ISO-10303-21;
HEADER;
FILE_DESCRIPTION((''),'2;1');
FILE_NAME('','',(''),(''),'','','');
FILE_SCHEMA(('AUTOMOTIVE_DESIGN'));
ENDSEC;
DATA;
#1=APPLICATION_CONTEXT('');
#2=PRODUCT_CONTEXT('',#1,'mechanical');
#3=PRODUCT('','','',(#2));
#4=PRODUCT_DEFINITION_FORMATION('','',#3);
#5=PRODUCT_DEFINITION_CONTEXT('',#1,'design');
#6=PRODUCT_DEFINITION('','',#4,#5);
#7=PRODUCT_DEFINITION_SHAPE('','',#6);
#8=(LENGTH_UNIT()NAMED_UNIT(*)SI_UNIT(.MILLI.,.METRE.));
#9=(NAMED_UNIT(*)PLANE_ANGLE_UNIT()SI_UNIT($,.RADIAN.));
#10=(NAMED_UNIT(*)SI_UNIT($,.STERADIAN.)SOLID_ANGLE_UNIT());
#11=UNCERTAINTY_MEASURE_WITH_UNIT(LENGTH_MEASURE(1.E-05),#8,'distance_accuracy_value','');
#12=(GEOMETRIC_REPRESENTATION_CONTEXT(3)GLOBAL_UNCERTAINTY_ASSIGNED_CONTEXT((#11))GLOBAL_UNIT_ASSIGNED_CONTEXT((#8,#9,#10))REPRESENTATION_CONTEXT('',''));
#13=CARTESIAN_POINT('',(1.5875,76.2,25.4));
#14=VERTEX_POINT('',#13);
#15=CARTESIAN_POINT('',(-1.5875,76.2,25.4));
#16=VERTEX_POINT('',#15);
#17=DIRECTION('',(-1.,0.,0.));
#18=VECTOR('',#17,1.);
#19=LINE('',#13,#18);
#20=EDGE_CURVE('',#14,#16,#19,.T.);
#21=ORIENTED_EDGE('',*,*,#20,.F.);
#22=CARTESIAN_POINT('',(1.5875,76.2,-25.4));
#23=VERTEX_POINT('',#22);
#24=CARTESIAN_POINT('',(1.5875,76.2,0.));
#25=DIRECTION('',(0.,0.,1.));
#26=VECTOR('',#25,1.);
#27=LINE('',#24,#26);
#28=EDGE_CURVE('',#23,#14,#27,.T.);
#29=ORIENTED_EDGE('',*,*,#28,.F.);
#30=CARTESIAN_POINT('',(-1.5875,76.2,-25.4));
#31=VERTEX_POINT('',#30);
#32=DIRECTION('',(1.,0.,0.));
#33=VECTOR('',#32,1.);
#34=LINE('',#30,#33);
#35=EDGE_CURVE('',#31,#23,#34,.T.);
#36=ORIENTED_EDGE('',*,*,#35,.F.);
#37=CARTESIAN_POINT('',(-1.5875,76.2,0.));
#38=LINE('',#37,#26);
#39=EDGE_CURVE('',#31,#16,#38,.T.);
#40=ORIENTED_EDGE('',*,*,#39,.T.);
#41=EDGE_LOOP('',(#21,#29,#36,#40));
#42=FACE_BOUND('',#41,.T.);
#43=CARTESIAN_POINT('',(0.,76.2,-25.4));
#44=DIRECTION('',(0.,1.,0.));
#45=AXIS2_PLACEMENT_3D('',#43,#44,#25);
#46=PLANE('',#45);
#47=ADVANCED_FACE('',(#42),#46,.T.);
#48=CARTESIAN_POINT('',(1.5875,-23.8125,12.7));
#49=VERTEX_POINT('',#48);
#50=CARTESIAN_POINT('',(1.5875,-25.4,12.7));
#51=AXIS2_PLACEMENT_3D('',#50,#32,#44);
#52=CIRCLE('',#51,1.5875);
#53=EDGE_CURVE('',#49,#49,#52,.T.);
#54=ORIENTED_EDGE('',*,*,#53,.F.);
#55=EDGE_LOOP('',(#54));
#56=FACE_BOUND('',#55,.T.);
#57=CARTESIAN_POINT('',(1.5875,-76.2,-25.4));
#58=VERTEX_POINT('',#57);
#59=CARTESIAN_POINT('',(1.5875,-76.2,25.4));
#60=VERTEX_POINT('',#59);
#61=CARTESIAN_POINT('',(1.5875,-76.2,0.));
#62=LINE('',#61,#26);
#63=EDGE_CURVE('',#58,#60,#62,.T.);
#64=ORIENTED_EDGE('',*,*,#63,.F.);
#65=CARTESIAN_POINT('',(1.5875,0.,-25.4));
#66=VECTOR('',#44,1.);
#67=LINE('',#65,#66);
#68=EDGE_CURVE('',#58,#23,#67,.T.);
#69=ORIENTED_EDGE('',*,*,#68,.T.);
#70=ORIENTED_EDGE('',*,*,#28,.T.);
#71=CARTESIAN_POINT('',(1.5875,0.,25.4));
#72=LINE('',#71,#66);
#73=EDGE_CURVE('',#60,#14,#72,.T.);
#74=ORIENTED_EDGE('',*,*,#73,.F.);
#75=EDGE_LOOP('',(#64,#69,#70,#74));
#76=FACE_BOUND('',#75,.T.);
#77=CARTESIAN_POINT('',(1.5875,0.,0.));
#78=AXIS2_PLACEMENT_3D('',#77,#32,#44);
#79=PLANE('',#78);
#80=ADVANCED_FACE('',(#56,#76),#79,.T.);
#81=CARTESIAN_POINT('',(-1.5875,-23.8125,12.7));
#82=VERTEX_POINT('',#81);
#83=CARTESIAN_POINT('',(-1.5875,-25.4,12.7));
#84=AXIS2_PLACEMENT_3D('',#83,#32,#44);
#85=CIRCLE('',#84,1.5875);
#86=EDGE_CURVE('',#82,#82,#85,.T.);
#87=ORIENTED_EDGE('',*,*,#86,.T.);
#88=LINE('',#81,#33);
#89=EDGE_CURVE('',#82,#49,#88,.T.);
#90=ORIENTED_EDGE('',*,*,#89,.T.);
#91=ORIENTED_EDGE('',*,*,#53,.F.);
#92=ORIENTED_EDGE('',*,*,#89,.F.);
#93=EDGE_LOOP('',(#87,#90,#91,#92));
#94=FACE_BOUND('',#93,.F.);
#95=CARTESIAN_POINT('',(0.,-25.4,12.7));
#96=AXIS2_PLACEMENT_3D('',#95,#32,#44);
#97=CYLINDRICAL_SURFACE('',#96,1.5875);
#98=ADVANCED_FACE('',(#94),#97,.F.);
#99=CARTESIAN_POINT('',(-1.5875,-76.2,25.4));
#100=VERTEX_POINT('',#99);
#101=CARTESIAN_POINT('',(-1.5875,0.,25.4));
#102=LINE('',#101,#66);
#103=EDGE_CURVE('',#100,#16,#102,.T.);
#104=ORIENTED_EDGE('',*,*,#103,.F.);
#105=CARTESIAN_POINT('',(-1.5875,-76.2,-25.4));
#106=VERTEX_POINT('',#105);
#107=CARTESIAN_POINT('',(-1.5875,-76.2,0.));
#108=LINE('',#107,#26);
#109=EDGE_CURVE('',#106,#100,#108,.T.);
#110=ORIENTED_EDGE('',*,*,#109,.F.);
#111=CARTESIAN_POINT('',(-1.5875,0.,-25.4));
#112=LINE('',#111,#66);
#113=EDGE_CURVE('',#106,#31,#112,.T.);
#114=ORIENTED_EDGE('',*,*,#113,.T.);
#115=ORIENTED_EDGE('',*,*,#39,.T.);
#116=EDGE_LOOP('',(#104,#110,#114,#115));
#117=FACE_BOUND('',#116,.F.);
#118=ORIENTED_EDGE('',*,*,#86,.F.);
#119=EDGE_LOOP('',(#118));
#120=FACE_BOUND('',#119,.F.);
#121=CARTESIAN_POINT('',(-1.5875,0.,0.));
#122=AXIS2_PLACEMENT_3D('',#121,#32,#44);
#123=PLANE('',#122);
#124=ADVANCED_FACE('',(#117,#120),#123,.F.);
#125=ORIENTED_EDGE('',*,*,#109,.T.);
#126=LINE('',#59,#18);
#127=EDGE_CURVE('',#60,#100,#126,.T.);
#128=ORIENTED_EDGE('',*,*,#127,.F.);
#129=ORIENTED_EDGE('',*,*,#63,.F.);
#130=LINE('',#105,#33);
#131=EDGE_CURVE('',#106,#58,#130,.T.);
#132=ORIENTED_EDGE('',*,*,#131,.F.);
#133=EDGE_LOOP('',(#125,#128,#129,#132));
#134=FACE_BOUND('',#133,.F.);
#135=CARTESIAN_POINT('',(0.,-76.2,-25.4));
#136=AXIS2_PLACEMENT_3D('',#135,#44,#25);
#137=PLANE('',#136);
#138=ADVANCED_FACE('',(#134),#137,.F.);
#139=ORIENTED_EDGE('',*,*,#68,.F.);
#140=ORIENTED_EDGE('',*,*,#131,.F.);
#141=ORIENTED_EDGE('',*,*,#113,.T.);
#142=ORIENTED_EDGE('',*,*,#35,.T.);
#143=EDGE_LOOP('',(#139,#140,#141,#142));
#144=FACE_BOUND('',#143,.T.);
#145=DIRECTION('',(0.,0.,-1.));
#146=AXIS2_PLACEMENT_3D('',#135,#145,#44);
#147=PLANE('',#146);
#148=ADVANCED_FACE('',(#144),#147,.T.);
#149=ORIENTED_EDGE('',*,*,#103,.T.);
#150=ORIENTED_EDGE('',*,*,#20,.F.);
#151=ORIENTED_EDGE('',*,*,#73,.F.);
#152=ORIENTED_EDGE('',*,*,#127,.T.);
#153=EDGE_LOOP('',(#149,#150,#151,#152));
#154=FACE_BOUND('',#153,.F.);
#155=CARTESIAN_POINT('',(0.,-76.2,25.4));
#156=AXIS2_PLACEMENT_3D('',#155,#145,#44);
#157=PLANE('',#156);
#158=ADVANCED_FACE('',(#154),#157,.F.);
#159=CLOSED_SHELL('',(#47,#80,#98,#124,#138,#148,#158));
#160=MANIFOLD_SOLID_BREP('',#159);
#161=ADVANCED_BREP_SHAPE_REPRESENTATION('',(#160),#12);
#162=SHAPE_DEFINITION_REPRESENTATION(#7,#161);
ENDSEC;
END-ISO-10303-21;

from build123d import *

# Parameters (mm, degrees)
F0_W     = 152.4
F0_H     = 50.8
F2_DEPTH = 1.5875
F1_R     = 1.5875
F3_DEPTH = 1.5875


with BuildPart() as f2:
    # F0 (on Right) → F2 (new body, symmetric)
    with BuildSketch(Plane.YZ):
        Rectangle(F0_W, F0_H)
    extrude(amount=F2_DEPTH, both=True)

    # F1 (on Right) → F3 (cut, symmetric)
    with BuildSketch(Plane.YZ):
        with Locations((-25.4, 12.7)):
            Circle(F1_R)
    extrude(amount=F3_DEPTH, both=True, mode=Mode.SUBTRACT)


solid = f2.part
